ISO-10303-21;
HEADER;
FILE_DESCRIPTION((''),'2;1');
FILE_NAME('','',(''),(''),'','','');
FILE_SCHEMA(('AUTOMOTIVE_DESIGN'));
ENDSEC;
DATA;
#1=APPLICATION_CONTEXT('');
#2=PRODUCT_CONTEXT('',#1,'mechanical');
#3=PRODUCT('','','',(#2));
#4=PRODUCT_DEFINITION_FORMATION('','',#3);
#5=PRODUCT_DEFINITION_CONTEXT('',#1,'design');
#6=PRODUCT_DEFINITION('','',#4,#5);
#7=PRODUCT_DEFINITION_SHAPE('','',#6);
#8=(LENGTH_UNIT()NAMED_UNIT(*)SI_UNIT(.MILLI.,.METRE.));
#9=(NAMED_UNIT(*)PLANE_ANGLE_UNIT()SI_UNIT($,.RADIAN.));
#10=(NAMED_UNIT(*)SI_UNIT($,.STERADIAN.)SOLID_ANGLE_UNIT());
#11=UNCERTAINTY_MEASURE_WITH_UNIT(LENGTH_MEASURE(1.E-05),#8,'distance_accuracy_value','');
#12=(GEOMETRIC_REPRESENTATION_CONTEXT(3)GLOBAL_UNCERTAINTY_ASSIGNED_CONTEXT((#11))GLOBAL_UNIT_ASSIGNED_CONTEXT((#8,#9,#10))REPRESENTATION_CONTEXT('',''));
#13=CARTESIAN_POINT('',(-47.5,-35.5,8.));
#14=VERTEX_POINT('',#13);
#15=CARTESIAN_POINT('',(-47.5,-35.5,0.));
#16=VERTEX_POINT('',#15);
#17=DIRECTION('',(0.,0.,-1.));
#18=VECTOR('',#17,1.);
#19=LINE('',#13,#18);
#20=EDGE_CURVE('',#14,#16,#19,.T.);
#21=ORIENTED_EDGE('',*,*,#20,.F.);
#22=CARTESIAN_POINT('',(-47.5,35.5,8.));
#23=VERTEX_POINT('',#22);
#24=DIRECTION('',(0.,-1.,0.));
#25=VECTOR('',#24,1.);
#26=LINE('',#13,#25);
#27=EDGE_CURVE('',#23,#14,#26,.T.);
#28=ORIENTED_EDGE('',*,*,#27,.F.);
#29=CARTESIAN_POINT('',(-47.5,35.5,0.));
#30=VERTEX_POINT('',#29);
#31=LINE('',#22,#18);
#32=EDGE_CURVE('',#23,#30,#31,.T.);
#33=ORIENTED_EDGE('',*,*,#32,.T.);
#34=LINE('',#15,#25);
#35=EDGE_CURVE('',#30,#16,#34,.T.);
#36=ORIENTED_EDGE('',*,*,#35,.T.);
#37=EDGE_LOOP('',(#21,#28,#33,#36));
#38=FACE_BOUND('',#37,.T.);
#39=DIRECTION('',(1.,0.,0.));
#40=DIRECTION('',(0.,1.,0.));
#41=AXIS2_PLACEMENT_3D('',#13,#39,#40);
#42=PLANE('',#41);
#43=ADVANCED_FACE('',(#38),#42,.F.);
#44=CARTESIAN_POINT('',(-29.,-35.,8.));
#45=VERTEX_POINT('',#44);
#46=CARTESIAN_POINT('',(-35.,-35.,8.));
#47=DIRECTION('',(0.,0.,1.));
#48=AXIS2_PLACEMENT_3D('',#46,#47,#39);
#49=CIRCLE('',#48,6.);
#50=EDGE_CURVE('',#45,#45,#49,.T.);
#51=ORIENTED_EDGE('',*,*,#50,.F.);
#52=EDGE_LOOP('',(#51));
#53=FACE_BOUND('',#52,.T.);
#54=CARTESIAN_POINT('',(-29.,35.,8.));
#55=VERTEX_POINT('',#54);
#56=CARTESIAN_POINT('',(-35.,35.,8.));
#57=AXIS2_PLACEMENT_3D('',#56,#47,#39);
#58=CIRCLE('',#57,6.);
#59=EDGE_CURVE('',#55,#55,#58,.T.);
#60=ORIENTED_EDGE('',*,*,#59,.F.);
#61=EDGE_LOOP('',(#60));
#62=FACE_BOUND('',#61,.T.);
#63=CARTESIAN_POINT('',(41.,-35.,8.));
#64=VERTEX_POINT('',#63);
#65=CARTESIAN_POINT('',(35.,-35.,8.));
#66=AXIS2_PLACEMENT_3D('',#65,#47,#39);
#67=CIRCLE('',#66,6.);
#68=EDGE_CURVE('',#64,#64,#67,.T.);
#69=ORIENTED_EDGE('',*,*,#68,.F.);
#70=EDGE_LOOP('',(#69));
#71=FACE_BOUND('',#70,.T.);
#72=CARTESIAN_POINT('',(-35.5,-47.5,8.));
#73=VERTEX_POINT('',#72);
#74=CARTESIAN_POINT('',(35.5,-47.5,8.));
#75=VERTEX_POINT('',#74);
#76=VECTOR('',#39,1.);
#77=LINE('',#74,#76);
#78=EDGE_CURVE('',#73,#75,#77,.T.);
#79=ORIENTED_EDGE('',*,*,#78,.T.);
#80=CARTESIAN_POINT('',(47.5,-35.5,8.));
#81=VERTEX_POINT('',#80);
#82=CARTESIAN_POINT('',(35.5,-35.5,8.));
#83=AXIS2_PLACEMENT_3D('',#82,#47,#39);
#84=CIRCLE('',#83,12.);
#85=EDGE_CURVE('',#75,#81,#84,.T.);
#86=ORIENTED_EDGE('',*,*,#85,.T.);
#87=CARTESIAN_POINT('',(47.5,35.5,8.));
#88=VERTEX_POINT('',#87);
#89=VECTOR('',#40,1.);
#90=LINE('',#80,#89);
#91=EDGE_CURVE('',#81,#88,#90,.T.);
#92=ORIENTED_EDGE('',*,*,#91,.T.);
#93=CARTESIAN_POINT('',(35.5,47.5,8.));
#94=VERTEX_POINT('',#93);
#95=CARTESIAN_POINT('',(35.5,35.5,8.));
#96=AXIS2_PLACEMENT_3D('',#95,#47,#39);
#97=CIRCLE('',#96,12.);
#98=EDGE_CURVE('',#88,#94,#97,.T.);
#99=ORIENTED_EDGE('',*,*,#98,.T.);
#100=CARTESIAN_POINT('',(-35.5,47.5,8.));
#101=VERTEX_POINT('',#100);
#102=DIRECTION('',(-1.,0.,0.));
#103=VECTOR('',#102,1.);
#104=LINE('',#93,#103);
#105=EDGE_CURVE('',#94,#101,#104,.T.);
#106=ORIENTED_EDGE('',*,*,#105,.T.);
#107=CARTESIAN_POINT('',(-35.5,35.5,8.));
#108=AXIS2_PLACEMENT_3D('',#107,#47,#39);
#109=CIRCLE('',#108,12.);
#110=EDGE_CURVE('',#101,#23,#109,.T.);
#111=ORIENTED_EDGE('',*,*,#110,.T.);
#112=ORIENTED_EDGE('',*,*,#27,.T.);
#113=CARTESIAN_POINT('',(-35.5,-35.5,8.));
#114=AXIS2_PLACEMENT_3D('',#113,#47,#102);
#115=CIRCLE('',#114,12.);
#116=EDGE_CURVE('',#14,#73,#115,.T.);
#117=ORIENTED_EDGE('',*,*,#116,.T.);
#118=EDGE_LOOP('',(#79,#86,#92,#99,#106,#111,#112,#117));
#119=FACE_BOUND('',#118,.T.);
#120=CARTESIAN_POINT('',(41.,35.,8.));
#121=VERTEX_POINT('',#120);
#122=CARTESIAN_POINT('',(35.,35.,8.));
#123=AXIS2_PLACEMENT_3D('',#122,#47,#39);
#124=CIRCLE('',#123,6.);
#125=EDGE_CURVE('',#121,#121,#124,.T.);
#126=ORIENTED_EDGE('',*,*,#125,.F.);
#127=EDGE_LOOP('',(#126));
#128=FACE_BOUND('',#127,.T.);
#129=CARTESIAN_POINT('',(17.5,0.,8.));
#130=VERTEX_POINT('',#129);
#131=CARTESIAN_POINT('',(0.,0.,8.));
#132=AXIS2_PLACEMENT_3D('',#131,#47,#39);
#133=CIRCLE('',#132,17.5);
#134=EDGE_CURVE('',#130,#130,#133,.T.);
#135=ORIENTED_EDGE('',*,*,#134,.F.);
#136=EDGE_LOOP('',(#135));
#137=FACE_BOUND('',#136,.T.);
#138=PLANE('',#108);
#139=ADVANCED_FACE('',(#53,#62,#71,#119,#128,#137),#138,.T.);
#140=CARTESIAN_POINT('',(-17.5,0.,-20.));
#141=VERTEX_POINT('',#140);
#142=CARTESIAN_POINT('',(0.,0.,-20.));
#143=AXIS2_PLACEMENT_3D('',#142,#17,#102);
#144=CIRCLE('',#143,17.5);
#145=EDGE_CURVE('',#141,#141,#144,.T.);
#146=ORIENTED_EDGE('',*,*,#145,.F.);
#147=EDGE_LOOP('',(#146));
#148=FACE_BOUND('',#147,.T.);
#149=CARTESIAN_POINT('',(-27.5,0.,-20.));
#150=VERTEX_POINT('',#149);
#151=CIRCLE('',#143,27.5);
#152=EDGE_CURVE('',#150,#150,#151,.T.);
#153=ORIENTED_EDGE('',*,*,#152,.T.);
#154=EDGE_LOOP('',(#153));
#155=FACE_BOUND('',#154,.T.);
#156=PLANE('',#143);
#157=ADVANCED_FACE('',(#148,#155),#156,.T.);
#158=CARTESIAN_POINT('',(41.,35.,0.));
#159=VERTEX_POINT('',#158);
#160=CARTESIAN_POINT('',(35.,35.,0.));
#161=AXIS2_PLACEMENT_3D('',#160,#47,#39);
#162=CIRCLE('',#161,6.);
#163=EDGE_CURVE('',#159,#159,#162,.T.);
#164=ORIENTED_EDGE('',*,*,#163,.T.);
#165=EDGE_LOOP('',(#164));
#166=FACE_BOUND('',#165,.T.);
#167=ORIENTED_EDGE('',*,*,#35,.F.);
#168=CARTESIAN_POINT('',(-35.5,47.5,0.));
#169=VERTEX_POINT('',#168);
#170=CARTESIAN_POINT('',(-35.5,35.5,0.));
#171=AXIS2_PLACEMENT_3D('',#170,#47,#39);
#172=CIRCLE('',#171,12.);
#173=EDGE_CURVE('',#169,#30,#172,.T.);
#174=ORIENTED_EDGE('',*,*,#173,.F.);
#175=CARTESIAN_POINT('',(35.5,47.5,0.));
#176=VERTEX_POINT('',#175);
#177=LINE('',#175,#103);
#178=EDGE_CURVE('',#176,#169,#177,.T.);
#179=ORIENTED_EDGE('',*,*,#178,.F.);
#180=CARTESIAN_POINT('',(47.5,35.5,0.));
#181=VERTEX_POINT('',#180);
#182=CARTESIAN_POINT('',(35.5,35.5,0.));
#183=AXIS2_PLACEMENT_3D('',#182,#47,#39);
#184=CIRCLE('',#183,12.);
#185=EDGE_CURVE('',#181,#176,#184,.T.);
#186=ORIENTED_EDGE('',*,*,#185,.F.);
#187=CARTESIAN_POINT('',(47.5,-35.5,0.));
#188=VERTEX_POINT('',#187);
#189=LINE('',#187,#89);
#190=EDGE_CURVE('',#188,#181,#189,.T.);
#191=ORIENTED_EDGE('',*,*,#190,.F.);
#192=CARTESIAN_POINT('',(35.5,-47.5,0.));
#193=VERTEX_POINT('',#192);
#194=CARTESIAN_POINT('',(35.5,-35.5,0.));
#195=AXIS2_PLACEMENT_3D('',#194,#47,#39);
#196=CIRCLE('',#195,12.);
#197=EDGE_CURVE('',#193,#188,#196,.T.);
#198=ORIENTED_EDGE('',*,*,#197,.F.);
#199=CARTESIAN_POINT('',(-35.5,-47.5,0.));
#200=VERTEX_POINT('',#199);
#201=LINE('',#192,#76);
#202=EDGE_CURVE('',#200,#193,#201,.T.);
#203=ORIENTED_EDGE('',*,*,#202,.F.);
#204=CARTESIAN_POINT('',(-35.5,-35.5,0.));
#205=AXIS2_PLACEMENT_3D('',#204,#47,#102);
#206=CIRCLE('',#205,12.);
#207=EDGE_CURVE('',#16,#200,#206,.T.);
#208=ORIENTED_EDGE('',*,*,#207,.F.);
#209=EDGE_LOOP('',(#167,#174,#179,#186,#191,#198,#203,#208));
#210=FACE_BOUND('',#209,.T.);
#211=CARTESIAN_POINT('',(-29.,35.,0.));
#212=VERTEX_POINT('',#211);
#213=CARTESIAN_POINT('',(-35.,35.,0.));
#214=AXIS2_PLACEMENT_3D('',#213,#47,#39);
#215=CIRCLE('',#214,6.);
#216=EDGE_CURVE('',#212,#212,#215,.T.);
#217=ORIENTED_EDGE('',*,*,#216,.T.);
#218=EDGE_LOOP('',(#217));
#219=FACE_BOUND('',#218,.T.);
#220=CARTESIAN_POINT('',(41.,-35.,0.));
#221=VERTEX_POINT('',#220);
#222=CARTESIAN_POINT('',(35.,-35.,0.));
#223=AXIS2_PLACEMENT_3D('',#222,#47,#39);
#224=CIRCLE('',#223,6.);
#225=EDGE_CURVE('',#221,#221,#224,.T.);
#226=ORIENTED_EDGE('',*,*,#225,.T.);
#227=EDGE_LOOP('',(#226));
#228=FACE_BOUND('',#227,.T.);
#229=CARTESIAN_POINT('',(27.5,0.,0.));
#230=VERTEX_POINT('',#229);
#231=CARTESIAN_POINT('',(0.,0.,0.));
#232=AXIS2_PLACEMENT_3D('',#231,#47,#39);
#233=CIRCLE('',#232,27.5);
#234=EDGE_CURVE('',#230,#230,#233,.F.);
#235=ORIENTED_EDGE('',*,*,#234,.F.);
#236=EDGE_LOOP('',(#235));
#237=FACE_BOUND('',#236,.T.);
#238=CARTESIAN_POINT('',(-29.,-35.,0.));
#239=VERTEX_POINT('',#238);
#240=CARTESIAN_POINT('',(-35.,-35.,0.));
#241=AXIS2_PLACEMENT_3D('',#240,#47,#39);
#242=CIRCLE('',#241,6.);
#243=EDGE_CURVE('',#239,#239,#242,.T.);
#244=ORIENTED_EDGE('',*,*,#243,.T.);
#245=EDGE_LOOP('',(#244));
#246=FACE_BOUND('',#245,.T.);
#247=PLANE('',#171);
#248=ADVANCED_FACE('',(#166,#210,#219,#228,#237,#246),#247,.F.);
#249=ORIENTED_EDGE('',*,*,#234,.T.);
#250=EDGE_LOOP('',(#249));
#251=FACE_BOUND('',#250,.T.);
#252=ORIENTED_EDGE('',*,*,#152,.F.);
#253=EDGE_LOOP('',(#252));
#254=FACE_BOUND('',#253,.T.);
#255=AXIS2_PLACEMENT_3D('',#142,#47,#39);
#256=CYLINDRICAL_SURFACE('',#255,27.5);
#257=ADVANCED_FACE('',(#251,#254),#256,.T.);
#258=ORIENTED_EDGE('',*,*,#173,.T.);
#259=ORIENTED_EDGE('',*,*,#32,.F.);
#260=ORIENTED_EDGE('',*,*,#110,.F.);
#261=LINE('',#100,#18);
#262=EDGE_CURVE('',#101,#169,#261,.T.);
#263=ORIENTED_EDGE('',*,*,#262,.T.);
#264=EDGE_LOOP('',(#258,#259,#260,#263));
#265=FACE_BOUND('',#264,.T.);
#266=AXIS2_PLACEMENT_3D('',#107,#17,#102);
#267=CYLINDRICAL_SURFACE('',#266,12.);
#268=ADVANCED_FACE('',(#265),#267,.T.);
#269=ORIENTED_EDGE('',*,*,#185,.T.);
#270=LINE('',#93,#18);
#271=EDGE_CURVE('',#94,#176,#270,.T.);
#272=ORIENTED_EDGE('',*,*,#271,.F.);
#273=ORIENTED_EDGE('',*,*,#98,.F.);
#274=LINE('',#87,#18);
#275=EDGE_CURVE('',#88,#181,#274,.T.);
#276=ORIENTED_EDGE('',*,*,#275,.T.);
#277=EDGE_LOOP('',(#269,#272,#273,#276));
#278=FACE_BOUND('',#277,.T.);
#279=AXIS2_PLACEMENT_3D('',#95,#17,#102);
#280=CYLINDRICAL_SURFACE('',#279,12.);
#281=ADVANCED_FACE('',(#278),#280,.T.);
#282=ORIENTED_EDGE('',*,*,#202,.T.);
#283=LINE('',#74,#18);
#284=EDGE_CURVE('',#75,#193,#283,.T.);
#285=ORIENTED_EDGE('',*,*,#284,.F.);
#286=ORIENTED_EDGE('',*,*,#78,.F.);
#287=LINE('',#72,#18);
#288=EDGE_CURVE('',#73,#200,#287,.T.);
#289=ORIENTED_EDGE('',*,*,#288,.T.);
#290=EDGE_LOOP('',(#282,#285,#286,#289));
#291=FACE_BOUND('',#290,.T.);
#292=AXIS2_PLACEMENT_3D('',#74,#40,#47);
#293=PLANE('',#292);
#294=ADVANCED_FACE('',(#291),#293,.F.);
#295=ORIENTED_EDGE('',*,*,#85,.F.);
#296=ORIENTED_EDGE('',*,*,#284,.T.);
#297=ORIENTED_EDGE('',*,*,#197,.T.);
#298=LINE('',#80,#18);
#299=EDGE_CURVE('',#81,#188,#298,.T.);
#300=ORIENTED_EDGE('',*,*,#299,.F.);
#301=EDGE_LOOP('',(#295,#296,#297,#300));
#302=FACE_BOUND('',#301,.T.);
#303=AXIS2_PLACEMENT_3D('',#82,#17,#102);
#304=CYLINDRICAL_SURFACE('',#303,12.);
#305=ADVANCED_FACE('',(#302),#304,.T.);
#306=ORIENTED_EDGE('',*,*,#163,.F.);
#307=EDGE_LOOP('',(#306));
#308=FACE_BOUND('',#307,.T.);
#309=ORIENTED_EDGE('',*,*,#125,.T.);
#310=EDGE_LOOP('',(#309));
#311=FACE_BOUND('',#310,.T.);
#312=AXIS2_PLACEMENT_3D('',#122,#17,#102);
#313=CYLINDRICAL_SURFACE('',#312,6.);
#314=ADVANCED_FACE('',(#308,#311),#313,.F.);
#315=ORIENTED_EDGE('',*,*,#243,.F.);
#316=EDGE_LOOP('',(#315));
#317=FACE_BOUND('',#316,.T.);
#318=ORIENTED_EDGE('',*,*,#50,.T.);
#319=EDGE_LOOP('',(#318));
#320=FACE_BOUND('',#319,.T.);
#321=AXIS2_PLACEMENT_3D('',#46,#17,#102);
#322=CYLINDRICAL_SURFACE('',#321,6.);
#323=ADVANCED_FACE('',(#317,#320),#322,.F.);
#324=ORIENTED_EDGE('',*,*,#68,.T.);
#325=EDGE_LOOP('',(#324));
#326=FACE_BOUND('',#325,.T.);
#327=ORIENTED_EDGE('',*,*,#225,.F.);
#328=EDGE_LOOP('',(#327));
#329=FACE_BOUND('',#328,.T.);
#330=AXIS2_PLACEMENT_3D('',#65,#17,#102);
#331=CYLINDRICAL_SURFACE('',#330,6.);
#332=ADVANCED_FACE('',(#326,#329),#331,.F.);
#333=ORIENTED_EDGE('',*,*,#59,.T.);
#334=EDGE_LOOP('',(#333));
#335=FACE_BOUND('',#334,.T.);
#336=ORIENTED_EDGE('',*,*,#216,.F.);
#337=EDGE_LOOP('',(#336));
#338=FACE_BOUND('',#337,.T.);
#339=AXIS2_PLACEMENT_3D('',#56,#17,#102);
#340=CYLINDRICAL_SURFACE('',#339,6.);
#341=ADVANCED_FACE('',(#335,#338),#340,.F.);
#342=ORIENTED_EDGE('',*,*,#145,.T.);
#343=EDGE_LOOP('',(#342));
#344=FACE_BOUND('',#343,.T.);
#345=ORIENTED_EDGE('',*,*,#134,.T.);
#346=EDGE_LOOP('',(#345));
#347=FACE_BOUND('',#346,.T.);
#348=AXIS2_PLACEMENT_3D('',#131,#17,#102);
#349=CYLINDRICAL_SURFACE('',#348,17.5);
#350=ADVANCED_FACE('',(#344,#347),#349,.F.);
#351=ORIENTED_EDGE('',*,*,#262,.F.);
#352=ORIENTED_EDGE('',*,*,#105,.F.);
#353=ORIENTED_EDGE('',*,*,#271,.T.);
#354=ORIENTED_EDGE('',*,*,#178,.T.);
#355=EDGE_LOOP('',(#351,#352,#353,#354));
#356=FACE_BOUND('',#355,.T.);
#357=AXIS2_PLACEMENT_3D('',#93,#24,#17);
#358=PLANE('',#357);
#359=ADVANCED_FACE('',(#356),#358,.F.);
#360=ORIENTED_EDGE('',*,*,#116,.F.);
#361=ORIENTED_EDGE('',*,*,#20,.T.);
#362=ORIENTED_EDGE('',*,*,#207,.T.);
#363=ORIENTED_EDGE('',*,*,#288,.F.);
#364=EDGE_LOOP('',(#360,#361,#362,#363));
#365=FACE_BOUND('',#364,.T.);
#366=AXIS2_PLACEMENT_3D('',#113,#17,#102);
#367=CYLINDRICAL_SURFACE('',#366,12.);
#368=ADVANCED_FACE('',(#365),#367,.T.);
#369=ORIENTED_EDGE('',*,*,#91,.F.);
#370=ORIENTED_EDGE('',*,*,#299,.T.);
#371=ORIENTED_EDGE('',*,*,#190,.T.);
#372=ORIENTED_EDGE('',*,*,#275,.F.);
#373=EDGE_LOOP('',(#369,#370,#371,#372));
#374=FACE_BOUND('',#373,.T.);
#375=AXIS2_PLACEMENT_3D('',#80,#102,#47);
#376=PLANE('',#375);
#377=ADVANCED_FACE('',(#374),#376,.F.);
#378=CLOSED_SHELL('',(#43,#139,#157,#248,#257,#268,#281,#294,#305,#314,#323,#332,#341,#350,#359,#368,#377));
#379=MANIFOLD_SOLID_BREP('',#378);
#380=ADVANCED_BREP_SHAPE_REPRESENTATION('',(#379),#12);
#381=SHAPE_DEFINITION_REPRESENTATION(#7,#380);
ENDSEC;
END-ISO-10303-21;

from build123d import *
from build123d.topology import SkipClean

# Parameters (mm, degrees)
SKETCH1_R           = 6
SKETCH1_R_2         = 17.5
BOSS_EXTRUDE1_DEPTH = 8
BOSS_EXTRUDE2_START = 20
SKETCH2_R           = 27.5
SKETCH2_R_2         = 17.5
BOSS_EXTRUDE2_DEPTH = 20


with BuildPart() as part:
    # Sketch1 → Boss-Extrude1 (new body)
    with BuildSketch(Plane(origin=(0, 0, 0), x_dir=(-1, 0, 0), z_dir=(0, 0, 1))):
        with BuildLine():
            Line((-35.5, 47.5), (35.5, 47.5))
            ThreePointArc((35.5, 47.5), (43.985281374, 43.985281374), (47.5, 35.5))
            Line((47.5, 35.5), (47.5, -35.5))
            ThreePointArc((47.5, -35.5), (43.985281374, -43.985281374), (35.5, -47.5))
            Line((35.5, -47.5), (-35.5, -47.5))
            ThreePointArc((-35.5, -47.5), (-43.985281374, -43.985281374), (-47.5, -35.5))
            Line((-47.5, -35.5), (-47.5, 35.5))
            ThreePointArc((-47.5, 35.5), (-43.985281374, 43.985281374), (-35.5, 47.5))
        make_face()
        with Locations(Location((35, 35, 0), (0, 0, 180))):
            Circle(SKETCH1_R, mode=Mode.SUBTRACT)
        with Locations(Location((-35, 35, 0), (0, 0, 180))):
            Circle(SKETCH1_R, mode=Mode.SUBTRACT)
        with Locations(Location((35, -35, 0), (0, 0, 180))):
            Circle(SKETCH1_R, mode=Mode.SUBTRACT)
        with Locations(Location((-35, -35, 0), (0, 0, 180))):
            Circle(SKETCH1_R, mode=Mode.SUBTRACT)
        with Locations(Location((0, 0, 0), (0, 0, 180))):
            Circle(SKETCH1_R_2, mode=Mode.SUBTRACT)
    extrude(amount=BOSS_EXTRUDE1_DEPTH)

    # Sketch2 → Boss-Extrude2 (add)
    with SkipClean():  # the faces are left unmerged after this step: merging them gives an invalid solid
        with BuildSketch(Plane(origin=(0, 0, 0), x_dir=(-1, 0, 0), z_dir=(0, 0, -1)).offset(BOSS_EXTRUDE2_START)):
            with Locations(Location((0, 0, 0), (0, 0, 180))):
                Circle(SKETCH2_R)
            Circle(SKETCH2_R_2, mode=Mode.SUBTRACT)
        extrude(amount=-BOSS_EXTRUDE2_DEPTH)


solid = part.part
